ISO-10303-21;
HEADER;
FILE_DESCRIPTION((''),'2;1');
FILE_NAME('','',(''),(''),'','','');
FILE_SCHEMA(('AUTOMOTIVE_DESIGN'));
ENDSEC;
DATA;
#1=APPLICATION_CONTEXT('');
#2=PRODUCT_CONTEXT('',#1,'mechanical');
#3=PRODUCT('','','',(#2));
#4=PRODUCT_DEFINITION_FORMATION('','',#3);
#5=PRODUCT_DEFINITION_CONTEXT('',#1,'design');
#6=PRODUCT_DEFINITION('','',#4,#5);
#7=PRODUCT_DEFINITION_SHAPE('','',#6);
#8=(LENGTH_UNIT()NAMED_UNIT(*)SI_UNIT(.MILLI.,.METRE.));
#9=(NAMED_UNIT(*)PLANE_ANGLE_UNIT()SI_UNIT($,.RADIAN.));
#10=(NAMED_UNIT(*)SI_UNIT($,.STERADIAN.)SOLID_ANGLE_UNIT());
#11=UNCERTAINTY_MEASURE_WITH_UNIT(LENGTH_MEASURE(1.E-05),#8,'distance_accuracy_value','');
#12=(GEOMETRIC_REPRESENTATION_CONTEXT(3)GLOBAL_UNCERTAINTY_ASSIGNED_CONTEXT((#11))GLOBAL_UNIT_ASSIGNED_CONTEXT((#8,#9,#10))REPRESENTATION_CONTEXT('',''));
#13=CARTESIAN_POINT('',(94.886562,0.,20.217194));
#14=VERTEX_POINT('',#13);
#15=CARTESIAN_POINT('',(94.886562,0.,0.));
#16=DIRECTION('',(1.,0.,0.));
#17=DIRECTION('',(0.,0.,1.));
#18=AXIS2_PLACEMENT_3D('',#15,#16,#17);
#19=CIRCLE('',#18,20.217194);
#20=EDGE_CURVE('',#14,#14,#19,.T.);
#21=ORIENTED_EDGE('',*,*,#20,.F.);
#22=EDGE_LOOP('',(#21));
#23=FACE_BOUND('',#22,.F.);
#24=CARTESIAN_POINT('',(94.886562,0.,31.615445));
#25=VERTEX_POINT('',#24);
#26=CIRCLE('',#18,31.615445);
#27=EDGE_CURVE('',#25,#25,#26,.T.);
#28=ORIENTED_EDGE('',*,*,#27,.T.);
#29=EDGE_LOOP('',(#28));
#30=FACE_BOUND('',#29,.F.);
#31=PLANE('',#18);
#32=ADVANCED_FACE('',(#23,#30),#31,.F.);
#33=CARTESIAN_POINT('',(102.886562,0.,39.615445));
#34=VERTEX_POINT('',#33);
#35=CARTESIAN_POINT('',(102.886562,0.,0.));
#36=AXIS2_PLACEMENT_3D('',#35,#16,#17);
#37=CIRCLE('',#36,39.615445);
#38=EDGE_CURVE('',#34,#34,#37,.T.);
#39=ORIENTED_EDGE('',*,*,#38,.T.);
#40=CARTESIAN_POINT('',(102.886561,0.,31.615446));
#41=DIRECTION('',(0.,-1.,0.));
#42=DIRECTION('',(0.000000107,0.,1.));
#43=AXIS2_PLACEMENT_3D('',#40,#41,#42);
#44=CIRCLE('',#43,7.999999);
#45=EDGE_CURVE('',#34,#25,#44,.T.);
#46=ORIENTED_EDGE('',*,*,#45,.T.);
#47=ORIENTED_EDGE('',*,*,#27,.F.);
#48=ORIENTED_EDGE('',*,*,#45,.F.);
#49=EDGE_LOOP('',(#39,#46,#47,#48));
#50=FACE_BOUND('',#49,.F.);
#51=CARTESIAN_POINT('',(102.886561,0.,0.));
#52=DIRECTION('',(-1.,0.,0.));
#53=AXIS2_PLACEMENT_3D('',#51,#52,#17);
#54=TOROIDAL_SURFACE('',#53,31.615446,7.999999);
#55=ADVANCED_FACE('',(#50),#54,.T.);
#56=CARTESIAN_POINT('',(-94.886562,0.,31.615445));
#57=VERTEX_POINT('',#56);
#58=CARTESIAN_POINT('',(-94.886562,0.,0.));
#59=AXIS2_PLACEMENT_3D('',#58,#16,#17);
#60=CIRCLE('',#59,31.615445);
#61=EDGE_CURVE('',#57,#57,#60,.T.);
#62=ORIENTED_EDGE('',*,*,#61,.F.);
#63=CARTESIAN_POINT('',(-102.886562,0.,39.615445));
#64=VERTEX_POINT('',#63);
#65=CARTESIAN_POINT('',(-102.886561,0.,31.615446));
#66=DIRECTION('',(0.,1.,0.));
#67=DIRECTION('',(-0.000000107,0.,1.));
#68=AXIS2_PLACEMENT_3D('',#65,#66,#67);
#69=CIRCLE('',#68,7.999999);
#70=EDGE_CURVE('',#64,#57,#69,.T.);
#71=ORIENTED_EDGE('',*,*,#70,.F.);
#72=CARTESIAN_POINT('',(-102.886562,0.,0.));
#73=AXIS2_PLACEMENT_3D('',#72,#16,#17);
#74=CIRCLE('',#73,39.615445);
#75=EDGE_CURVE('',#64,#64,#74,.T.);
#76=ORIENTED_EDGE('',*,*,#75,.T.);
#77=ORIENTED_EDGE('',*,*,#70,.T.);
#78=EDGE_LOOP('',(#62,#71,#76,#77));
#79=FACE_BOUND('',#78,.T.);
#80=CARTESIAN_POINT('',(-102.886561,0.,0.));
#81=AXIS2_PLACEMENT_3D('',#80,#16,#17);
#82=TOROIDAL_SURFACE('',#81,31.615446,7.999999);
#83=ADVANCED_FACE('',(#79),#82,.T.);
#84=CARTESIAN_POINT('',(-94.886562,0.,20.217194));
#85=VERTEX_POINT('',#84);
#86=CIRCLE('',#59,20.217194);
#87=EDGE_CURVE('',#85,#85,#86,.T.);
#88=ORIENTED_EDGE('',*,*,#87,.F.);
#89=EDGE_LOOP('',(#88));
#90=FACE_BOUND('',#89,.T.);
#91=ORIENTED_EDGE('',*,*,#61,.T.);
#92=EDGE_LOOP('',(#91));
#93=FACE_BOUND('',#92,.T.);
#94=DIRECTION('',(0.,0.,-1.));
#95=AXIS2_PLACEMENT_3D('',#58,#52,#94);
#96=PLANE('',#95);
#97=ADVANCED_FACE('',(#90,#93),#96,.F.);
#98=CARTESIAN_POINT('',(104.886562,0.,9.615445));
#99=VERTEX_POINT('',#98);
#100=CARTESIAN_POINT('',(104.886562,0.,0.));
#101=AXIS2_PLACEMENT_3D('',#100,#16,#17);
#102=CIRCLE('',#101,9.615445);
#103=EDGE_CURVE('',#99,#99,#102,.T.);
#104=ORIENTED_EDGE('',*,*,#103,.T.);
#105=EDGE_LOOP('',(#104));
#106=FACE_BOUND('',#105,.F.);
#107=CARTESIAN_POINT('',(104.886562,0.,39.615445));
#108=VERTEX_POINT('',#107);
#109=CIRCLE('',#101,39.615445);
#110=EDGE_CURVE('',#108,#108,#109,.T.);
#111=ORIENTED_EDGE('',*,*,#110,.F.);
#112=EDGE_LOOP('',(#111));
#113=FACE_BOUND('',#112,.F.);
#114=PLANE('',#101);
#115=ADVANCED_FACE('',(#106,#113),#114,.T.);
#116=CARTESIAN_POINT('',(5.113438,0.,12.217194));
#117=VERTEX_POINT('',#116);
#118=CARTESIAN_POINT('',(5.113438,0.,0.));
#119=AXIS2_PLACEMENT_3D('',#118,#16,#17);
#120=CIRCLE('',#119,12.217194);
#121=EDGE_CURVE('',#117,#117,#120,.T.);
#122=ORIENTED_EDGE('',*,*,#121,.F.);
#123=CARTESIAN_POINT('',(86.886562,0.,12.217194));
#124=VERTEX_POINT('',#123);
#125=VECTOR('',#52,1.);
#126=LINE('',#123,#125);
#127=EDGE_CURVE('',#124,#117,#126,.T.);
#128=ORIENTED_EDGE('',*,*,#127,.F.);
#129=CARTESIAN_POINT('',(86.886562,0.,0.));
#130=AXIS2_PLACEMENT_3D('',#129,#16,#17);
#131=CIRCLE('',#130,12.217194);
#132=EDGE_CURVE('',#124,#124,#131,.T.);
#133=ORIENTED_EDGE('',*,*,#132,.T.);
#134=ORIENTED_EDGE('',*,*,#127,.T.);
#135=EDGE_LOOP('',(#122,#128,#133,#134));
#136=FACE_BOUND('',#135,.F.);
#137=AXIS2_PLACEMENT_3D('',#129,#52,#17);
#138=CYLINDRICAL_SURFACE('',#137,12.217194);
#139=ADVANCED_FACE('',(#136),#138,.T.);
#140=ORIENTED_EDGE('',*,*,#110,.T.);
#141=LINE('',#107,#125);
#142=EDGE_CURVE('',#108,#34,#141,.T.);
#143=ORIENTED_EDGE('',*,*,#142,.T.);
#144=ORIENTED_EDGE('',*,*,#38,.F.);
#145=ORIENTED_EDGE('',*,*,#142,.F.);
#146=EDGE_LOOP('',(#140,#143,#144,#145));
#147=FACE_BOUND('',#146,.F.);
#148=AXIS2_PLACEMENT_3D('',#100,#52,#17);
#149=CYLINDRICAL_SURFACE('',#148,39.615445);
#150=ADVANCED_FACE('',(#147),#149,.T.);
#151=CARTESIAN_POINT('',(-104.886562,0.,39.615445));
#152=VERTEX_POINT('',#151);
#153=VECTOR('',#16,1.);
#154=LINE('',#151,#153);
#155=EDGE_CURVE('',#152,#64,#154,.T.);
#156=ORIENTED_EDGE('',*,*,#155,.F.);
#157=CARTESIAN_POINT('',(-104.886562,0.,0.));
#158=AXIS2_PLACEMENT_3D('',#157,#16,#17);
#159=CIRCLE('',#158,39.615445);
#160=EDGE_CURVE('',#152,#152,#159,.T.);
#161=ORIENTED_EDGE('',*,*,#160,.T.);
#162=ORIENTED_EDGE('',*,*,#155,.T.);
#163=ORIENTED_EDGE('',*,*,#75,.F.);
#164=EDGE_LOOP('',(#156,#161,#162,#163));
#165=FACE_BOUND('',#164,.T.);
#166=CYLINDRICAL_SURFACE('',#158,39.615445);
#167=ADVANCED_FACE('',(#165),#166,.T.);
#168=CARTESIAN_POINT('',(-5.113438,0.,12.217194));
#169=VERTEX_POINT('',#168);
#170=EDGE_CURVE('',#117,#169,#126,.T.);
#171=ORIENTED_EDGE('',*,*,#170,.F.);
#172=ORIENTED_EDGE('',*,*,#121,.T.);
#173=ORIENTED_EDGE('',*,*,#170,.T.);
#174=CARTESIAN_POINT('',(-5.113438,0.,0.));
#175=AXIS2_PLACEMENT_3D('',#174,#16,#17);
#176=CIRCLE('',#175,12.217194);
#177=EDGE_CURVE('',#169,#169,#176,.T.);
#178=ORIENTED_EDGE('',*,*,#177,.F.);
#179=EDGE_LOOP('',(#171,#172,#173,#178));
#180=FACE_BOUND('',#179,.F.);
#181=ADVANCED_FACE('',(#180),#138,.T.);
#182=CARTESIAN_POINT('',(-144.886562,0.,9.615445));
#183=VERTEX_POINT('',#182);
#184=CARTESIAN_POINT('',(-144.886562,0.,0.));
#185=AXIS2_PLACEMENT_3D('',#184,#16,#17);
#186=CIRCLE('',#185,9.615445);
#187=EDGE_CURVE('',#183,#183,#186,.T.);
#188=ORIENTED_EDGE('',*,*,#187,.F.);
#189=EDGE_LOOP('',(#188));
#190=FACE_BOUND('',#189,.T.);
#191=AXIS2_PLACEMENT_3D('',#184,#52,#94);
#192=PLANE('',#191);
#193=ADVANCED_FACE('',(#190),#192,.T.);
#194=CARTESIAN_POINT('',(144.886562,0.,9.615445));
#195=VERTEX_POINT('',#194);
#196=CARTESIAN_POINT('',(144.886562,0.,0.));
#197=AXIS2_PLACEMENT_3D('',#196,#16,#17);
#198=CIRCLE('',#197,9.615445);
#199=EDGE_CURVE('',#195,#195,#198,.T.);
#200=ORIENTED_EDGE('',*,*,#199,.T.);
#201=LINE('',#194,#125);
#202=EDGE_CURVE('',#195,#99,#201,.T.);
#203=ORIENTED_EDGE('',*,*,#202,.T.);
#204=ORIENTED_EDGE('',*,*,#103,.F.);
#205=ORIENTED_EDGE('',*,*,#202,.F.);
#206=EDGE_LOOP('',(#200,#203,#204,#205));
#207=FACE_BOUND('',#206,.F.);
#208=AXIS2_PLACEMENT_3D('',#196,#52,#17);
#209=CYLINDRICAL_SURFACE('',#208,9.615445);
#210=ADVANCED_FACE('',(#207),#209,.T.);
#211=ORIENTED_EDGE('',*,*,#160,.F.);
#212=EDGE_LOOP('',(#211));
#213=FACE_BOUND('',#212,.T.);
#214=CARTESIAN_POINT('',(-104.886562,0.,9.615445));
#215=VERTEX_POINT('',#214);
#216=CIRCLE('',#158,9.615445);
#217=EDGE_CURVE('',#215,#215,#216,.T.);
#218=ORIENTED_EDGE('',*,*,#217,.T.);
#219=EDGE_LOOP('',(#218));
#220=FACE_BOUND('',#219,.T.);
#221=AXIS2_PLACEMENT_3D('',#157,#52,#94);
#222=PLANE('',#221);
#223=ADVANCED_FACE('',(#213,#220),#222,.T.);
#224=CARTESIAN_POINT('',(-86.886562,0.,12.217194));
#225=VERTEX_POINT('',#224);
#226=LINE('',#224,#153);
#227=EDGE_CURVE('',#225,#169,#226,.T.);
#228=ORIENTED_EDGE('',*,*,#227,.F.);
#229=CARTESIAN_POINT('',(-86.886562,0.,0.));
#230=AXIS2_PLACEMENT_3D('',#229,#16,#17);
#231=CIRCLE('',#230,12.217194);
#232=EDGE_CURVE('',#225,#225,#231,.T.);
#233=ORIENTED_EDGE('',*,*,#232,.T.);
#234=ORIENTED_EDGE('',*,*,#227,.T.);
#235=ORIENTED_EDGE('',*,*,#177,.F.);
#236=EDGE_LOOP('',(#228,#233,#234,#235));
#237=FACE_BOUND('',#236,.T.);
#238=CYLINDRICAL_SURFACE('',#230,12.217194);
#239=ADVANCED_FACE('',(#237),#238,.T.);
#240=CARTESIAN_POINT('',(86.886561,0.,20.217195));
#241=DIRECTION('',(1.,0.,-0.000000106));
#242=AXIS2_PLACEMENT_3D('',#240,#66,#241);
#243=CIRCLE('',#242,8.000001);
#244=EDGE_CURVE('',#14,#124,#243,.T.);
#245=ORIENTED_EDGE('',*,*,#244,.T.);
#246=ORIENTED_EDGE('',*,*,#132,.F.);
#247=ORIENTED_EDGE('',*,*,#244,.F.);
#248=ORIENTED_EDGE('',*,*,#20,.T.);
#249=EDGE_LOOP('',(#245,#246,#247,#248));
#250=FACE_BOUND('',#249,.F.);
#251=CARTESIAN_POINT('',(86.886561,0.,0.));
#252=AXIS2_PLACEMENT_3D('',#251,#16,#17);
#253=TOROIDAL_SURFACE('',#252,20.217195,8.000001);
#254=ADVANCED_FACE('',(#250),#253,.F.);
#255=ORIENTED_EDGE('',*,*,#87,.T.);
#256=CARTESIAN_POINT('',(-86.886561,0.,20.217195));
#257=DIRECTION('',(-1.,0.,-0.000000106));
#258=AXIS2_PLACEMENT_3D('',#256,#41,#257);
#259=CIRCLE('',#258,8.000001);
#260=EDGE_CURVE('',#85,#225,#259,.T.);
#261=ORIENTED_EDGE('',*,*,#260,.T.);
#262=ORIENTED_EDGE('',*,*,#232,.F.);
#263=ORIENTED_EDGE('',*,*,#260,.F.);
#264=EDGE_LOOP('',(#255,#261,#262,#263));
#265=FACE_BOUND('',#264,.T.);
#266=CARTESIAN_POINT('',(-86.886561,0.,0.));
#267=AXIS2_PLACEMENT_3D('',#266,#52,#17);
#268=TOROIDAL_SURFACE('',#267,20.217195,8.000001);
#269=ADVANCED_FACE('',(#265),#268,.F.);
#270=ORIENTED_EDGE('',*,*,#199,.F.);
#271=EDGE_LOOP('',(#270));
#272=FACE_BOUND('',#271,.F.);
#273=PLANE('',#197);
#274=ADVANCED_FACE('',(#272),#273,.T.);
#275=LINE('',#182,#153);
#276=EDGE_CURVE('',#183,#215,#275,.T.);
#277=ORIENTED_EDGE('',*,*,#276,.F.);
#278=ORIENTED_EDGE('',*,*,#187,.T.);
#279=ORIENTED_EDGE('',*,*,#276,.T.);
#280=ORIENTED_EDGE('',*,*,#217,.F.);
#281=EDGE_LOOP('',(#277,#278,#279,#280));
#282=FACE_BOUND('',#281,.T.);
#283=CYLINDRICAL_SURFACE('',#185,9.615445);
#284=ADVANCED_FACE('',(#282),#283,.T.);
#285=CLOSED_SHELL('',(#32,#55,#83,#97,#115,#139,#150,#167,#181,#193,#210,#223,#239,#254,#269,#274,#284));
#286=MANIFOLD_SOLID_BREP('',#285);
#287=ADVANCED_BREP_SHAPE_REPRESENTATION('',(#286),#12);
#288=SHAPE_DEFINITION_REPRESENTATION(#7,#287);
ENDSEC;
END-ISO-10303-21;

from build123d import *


with BuildPart() as f1:
    # F0 (on Front) → F1 (revolve)
    with BuildSketch(Plane.XZ):
        with BuildLine():
            Line((-5.113438, 12.217194), (-5.113438, 0))
            Line((-5.113438, 0), (144.886562, 0))
            Line((144.886562, 0), (144.886562, 9.615445))
            Line((144.886562, 9.615445), (104.886562, 9.615445))
            Line((104.886562, 9.615445), (104.886562, 39.615445))
            Line((104.886562, 39.615445), (102.886562, 39.615445))
            ThreePointArc((102.886562, 39.615445), (97.229707, 37.272299), (94.886562, 31.615445))
            Line((94.886562, 31.615445), (94.886562, 20.217194))
            ThreePointArc((94.886562, 20.217194), (92.543416, 14.56034), (86.886562, 12.217194))
            Line((86.886562, 12.217194), (-5.113438, 12.217194))
        make_face()
    revolve(axis=Axis((69.886562, 0, 0), (1, 0, 0)))

    # F2: F1 across plane


with BuildPart() as f1_1:
    add(f1.part)
    add(f1.part.mirror(Plane.YZ))


solid = f1_1.part
